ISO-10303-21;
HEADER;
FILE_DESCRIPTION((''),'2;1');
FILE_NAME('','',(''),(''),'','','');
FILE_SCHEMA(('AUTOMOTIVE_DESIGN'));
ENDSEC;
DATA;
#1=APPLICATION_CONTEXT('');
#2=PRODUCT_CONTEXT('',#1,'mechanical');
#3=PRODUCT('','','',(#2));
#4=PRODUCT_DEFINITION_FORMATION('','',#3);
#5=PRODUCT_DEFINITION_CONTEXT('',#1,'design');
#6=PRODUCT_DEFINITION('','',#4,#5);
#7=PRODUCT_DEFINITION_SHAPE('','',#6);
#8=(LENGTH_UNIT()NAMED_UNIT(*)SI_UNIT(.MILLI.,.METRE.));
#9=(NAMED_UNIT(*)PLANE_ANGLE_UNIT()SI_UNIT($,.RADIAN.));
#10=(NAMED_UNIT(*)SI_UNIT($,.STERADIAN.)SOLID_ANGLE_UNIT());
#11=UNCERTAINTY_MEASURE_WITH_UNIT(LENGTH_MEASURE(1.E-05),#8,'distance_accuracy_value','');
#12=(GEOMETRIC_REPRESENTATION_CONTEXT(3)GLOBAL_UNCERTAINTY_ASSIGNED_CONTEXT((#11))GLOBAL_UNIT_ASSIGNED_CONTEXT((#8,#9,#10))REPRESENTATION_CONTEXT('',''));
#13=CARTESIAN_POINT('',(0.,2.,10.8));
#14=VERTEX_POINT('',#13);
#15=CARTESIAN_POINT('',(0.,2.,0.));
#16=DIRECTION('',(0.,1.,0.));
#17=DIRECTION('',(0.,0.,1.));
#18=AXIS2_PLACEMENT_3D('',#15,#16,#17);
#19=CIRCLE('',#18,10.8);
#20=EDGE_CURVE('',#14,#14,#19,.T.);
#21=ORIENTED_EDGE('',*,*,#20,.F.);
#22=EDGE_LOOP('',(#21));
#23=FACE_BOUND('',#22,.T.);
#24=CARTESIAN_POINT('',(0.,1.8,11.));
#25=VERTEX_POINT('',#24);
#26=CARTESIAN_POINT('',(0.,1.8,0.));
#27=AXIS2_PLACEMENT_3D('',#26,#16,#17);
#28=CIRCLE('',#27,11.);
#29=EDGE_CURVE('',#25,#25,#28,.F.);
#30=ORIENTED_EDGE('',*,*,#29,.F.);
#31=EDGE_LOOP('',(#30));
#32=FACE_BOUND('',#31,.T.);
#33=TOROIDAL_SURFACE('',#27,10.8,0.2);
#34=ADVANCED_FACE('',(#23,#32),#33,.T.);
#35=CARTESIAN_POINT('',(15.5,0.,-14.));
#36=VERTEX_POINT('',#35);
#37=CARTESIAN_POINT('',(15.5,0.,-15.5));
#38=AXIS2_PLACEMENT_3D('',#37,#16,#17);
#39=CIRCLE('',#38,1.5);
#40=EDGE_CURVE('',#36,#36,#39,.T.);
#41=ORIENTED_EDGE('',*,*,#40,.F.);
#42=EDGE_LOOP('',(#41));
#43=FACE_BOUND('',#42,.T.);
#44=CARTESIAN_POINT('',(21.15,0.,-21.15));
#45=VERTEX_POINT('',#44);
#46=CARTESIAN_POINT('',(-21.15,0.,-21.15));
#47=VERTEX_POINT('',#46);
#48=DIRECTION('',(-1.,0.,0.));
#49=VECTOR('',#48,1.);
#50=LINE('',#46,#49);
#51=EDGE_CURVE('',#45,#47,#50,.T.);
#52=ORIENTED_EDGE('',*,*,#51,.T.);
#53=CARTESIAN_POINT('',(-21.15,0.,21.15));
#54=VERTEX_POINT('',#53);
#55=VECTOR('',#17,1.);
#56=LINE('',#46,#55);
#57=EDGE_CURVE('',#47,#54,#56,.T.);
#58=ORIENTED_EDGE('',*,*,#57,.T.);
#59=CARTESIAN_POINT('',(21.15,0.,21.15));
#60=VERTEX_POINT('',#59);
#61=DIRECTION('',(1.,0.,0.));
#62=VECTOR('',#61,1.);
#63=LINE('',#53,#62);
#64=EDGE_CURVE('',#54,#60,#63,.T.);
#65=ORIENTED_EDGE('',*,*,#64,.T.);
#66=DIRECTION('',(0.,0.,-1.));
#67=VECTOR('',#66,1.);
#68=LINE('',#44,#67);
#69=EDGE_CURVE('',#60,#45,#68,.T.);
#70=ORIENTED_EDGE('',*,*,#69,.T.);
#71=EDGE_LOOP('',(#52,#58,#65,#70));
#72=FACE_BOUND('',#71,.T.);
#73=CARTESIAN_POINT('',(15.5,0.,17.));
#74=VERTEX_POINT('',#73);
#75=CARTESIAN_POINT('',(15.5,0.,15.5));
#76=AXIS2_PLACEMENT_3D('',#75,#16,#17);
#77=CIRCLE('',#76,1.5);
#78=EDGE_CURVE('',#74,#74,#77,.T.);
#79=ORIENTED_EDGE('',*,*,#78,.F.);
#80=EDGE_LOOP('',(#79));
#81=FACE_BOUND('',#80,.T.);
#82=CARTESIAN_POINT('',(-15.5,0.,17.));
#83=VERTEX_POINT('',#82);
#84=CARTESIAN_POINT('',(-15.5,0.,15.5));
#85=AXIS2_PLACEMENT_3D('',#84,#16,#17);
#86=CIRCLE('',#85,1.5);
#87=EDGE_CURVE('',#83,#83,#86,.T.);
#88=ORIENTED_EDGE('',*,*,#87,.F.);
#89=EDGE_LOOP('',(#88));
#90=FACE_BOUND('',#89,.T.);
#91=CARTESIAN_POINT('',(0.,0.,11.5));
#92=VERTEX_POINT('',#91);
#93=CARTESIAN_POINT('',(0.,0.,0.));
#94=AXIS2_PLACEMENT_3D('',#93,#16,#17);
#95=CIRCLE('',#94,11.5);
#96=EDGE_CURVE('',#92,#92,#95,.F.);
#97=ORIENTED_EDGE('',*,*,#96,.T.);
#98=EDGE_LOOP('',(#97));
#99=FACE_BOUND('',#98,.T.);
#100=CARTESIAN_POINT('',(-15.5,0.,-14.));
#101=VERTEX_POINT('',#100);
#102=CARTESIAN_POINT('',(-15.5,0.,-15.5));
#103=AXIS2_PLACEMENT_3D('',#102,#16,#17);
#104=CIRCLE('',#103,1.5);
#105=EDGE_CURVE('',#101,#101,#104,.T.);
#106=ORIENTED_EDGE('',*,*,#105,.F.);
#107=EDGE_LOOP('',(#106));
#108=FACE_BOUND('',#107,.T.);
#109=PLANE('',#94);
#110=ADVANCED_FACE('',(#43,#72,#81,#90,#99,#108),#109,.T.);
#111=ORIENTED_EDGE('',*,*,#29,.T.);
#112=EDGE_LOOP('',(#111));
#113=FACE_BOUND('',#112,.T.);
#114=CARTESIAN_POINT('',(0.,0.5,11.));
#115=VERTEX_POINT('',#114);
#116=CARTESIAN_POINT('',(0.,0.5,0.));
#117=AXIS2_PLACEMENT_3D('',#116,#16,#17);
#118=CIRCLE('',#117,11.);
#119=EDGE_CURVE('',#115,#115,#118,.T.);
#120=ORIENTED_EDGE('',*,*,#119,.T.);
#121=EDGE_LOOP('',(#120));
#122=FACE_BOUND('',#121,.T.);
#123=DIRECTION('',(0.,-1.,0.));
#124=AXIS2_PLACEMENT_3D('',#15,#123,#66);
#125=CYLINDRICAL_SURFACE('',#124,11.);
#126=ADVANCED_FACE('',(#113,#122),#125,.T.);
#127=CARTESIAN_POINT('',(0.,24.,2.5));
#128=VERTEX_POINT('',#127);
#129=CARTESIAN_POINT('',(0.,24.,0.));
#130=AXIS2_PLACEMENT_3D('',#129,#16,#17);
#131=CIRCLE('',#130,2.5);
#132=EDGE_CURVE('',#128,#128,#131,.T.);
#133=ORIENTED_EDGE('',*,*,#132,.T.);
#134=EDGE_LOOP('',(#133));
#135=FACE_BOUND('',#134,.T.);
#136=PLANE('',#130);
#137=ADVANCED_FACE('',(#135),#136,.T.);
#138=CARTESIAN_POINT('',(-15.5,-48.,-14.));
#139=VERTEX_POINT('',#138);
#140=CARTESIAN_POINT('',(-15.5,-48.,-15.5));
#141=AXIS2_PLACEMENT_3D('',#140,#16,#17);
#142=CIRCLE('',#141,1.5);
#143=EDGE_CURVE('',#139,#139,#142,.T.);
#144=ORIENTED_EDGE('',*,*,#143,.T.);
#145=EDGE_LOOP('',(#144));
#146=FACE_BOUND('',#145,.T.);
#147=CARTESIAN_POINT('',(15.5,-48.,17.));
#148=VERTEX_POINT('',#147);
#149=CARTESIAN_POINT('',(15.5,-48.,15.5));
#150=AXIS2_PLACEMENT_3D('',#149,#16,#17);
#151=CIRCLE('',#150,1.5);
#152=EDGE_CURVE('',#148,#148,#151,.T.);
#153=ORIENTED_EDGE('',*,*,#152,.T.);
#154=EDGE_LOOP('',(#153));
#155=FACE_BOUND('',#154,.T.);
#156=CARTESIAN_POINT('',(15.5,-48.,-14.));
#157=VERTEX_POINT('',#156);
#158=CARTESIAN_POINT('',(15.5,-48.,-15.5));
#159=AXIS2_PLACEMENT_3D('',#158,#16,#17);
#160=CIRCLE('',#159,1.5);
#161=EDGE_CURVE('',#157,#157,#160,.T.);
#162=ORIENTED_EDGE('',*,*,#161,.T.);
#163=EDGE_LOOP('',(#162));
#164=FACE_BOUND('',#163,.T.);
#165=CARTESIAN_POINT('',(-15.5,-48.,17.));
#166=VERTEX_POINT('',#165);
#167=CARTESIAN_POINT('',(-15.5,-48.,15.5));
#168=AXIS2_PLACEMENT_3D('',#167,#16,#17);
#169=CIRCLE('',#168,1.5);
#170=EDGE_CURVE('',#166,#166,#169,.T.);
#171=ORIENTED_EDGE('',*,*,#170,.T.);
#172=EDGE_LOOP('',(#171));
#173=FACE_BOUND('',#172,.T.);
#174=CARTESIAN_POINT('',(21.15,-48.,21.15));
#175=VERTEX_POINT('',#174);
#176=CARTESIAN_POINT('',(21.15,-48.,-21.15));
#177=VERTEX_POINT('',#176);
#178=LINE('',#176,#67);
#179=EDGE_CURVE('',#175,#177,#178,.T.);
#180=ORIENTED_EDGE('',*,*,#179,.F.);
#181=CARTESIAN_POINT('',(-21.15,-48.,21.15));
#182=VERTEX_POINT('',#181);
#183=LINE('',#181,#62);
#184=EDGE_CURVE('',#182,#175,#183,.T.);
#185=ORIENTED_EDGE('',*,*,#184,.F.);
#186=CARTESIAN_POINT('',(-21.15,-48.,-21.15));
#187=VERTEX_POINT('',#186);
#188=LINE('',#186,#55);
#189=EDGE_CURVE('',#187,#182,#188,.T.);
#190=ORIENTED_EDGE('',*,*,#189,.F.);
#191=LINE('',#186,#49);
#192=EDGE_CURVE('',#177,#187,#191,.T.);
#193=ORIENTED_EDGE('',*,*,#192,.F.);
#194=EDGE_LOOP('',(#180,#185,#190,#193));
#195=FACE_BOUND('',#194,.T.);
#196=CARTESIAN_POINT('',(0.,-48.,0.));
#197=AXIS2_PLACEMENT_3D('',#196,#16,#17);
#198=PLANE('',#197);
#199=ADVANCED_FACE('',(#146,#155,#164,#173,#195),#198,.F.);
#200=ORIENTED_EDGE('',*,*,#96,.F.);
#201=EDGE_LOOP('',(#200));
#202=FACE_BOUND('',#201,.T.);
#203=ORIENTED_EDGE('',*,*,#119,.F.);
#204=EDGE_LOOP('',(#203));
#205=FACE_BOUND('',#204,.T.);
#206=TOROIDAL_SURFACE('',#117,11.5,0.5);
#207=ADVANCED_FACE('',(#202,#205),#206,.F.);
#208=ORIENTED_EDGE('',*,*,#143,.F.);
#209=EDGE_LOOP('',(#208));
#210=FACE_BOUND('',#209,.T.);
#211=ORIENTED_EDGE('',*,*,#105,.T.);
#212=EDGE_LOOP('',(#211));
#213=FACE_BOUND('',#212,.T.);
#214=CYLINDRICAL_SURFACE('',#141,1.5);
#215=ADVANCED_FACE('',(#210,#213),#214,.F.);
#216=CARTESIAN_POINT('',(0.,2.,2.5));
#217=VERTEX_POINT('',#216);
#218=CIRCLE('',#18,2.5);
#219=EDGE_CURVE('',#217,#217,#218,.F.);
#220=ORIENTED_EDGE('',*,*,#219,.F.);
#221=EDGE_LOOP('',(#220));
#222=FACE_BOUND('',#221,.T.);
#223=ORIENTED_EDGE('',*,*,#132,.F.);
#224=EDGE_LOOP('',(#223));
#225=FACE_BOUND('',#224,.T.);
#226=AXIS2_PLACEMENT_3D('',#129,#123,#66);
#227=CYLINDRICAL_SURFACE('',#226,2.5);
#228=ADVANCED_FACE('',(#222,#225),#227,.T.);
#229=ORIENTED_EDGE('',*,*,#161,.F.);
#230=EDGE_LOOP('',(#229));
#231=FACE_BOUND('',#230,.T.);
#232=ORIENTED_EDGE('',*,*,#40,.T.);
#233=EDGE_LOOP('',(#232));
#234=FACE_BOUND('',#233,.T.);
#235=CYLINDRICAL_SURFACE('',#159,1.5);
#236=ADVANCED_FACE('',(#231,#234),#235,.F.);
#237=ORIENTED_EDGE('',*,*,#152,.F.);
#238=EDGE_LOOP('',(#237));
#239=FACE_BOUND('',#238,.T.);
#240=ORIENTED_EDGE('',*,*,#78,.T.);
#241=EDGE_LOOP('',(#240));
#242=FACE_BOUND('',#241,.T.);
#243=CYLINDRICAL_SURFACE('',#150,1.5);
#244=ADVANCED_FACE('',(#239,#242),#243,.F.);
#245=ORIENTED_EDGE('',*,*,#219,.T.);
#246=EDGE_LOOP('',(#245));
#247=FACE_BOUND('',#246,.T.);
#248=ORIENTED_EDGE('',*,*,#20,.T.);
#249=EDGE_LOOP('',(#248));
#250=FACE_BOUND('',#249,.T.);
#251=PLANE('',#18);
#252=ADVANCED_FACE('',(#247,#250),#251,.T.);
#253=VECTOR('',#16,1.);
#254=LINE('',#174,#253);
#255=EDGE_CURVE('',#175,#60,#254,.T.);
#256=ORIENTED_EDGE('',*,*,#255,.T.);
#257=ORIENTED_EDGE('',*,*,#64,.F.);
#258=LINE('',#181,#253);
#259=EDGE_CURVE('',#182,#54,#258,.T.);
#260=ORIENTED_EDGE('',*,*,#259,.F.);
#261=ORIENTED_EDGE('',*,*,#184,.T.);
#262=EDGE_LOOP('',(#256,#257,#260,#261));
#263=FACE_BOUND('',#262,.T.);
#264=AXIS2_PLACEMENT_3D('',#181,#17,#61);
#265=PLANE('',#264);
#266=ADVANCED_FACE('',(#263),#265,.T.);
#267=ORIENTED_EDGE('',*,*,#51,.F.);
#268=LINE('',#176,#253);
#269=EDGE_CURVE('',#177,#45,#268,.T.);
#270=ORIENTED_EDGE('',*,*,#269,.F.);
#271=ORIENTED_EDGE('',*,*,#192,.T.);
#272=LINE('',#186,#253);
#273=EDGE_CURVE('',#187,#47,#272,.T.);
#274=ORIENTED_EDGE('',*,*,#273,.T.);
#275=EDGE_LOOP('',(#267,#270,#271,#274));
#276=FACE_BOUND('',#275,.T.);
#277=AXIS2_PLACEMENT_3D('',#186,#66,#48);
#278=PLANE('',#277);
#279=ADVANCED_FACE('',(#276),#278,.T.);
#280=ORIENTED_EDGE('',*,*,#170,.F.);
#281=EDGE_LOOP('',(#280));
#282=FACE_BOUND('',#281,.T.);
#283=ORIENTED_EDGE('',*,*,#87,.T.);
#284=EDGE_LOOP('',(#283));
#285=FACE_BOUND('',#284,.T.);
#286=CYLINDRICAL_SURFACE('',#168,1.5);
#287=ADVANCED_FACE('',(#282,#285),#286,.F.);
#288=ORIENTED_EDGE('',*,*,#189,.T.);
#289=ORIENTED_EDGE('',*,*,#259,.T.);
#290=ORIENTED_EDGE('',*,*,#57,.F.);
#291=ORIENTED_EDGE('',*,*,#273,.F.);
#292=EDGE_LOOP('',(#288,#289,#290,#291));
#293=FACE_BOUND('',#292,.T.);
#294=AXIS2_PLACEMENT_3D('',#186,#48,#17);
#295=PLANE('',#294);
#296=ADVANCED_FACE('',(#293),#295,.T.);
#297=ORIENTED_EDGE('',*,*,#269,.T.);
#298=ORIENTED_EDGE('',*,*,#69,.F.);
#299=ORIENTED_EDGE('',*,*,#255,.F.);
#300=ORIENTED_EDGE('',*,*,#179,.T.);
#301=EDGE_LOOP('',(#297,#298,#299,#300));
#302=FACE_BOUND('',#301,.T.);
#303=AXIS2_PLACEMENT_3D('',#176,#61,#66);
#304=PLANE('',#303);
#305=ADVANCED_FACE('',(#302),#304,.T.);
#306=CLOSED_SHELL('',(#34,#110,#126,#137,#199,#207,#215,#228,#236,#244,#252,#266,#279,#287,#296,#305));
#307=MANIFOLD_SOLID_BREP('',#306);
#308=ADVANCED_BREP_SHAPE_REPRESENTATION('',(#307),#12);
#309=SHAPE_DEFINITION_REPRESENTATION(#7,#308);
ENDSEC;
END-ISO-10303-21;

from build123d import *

# Parameters (mm, degrees)
SKETCH1_W           = 42.3
SKETCH1_H           = 42.3
SKETCH1_R           = 1.5
BOSS_EXTRUDE1_DEPTH = 48
SKETCH2_R           = 11
BOSS_EXTRUDE2_DEPTH = 2
SKETCH3_R           = 2.5
BOSS_EXTRUDE3_DEPTH = 24
FILLET1_R           = 0.5
FILLET2_R           = 0.2


with BuildPart() as part:
    # Sketch1 → Boss-Extrude1 (new body)
    with BuildSketch(Plane(origin=(0, 0, 0), x_dir=(1, 0, 0), z_dir=(0, 1, 0))):
        Rectangle(SKETCH1_W, SKETCH1_H)
        with Locations(Location((15.5, 15.5, 0), (0, 0, 270))):
            Circle(SKETCH1_R, mode=Mode.SUBTRACT)
        with Locations(Location((-15.5, 15.5, 0), (0, 0, 270))):
            Circle(SKETCH1_R, mode=Mode.SUBTRACT)
        with Locations(Location((-15.5, -15.5, 0), (0, 0, 270))):
            Circle(SKETCH1_R, mode=Mode.SUBTRACT)
        with Locations(Location((15.5, -15.5, 0), (0, 0, 270))):
            Circle(SKETCH1_R, mode=Mode.SUBTRACT)
    extrude(amount=-BOSS_EXTRUDE1_DEPTH)

    # Sketch2 → Boss-Extrude2 (add)
    with BuildSketch(Plane(origin=(0, 0, 0), x_dir=(1, 0, 0), z_dir=(0, 1, 0))):
        with Locations(Location((0, 0, 0), (0, 0, 270))):
            Circle(SKETCH2_R)
    extrude(amount=BOSS_EXTRUDE2_DEPTH)

    # Sketch3 → Boss-Extrude3 (add)
    with BuildSketch(Plane(origin=(0, 0, 0), x_dir=(1, 0, 0), z_dir=(0, 1, 0))):
        with Locations(Location((0, 0, 0), (0, 0, 270))):
            Circle(SKETCH3_R)
    extrude(amount=BOSS_EXTRUDE3_DEPTH)

    # Fillet1
    fillet1_edges = [part.edges().sort_by_distance(p)[0] for p in [
        (0, 0, -11),
    ]]
    fillet(fillet1_edges, radius=FILLET1_R)

    # Fillet2
    fillet2_edges = [part.edges().sort_by_distance(p)[0] for p in [
        (0, 2, -11),
    ]]
    fillet(fillet2_edges, radius=FILLET2_R)


solid = part.part
